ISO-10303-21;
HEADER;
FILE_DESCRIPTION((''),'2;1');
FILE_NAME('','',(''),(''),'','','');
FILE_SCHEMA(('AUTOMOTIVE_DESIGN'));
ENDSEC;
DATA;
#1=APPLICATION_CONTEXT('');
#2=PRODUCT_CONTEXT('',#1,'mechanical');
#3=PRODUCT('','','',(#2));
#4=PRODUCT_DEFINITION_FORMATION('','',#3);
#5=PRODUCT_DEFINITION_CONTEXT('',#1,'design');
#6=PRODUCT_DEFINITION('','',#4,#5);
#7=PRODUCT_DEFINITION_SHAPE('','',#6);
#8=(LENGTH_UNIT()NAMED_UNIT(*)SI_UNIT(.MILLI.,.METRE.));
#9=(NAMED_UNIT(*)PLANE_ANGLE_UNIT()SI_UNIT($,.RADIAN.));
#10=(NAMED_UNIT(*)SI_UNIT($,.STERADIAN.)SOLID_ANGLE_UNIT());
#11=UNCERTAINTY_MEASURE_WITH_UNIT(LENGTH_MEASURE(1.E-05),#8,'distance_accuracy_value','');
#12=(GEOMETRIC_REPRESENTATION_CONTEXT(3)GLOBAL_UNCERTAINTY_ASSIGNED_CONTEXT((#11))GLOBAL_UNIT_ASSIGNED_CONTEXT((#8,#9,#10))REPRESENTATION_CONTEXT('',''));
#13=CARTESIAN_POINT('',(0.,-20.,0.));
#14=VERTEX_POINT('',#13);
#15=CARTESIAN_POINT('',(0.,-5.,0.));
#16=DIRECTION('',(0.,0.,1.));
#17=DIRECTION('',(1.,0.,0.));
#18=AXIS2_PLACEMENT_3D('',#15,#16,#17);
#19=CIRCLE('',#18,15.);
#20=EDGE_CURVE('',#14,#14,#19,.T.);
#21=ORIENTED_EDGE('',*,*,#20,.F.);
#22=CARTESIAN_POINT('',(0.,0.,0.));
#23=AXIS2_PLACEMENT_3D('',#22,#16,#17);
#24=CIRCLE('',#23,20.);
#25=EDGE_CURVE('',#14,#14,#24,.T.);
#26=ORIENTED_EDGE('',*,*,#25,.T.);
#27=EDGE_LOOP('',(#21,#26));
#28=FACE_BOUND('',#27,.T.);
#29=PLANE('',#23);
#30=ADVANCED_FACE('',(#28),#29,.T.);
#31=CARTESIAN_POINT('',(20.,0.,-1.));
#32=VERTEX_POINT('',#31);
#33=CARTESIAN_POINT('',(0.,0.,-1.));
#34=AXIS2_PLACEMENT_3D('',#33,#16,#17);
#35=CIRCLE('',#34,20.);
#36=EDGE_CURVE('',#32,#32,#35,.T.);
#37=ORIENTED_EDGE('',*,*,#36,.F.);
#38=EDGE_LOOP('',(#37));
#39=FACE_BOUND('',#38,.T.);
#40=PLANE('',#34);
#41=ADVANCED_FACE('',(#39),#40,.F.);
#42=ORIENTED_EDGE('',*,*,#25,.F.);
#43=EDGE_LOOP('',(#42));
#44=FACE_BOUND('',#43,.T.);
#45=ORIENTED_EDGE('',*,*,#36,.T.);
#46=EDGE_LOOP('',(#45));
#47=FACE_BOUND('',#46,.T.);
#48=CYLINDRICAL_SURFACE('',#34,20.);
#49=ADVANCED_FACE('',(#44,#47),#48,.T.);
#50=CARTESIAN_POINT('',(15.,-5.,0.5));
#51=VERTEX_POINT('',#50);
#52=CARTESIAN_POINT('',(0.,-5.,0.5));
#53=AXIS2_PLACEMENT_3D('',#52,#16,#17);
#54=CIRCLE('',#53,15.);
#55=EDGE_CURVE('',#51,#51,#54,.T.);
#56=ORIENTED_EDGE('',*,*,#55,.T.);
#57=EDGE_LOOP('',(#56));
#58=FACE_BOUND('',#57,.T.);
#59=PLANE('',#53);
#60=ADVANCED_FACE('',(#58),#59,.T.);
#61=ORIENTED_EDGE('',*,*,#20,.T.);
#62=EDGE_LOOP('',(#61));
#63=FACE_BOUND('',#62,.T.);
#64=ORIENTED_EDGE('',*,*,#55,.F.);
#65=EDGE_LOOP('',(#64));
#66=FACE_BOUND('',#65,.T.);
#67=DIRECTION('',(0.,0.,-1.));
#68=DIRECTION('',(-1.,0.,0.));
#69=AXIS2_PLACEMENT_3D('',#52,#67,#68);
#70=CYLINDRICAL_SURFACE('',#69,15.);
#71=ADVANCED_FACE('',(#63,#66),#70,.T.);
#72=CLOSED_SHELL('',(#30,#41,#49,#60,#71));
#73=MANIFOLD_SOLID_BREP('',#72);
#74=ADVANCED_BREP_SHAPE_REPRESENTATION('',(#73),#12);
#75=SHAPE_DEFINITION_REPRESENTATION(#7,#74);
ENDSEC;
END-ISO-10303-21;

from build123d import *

# Parameters (mm, degrees)
SKETCH1_R           = 20
BOSS_EXTRUDE1_DEPTH = 1
SKETCH1_3_R         = 15
BOSS_EXTRUDE2_DEPTH = 0.5


with BuildPart() as part:
    # Sketch1 → Boss-Extrude1 (new body)
    with BuildSketch(Plane.XY):
        Circle(SKETCH1_R)
    extrude(amount=-BOSS_EXTRUDE1_DEPTH)

    # Sketch1<3> → Boss-Extrude2 (add)
    with BuildSketch(Plane.XY):
        with Locations((0, -5)):
            Circle(SKETCH1_3_R)
    extrude(amount=BOSS_EXTRUDE2_DEPTH)


solid = part.part
